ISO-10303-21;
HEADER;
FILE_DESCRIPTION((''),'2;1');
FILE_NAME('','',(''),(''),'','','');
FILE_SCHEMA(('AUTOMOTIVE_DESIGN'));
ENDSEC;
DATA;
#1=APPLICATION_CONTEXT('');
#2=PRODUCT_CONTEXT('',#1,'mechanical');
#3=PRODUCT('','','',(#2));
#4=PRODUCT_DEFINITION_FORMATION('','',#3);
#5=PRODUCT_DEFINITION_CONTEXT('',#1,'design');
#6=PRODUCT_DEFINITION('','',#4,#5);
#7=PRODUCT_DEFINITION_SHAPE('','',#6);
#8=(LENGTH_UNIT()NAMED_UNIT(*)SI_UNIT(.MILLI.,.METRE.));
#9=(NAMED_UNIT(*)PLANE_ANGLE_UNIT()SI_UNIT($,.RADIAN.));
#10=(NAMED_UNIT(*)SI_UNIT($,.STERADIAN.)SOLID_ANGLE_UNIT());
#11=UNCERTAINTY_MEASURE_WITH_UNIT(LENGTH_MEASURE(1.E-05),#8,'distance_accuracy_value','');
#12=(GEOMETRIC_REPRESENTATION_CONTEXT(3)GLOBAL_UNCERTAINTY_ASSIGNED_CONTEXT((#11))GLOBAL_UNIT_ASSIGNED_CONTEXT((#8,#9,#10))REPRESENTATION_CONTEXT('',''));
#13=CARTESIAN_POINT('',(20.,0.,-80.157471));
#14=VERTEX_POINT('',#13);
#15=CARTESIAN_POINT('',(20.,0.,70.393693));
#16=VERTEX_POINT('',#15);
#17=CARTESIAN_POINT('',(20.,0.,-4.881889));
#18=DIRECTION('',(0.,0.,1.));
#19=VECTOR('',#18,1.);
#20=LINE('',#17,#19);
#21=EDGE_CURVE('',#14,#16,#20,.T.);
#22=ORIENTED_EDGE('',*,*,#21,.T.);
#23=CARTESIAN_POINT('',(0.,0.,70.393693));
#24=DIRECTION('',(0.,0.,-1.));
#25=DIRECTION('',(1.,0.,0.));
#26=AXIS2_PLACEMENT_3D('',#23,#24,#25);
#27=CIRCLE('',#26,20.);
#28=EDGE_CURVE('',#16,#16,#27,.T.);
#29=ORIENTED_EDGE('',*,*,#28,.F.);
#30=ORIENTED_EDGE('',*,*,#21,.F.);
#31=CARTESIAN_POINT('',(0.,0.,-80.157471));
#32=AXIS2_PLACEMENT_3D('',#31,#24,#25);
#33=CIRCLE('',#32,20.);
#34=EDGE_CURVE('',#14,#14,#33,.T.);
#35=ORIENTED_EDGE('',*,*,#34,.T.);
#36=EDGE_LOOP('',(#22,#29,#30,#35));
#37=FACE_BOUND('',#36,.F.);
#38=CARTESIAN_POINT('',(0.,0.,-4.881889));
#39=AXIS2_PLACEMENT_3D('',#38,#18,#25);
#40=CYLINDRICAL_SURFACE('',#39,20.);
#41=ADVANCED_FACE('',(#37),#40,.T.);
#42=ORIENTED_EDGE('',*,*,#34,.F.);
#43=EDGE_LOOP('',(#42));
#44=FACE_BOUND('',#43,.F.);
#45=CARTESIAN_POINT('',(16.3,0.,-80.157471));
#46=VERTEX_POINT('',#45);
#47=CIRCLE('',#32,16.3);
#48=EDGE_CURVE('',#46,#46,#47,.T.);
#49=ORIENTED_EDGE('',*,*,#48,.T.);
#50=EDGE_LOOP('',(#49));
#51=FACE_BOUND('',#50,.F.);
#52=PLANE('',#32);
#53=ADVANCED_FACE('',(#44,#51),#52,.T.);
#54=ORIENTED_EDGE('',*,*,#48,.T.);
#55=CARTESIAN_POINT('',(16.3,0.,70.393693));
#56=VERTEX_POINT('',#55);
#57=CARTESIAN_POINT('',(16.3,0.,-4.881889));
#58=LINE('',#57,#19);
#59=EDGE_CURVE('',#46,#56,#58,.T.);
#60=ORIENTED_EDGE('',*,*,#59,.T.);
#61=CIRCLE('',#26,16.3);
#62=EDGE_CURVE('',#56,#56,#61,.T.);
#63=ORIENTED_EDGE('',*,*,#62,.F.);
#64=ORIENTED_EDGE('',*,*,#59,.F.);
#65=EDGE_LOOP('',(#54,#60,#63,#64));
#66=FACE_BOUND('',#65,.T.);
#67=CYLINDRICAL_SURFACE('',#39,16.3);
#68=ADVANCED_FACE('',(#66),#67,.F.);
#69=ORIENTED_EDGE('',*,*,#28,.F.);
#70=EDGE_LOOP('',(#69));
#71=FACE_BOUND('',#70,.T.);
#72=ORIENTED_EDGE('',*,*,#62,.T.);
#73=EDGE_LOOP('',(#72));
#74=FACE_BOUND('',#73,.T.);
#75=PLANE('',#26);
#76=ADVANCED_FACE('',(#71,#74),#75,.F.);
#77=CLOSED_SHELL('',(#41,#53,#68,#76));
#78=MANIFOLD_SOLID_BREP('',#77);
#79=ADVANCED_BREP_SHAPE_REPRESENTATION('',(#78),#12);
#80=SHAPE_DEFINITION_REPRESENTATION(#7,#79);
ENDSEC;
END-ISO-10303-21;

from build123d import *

# Parameters (mm, degrees)
F0_W = 20
F0_H = 150.551164
F2_T = -3.7


with BuildPart() as f1:
    # F0 (on Front) → F1 (revolve)
    with BuildSketch(Plane.XZ):
        with Locations((10, -4.881889)):
            Rectangle(F0_W, F0_H)
    revolve(axis=Axis((0, 0, -4.881889), (0, 0, -1)))

    # F2
    f2_openings = [f1.faces().sort_by_distance(p)[0] for p in [
        (0, 0, -80.157471),
        (0, 0, 70.393693),
    ]]
    offset(amount=F2_T, openings=f2_openings)


solid = f1.part
